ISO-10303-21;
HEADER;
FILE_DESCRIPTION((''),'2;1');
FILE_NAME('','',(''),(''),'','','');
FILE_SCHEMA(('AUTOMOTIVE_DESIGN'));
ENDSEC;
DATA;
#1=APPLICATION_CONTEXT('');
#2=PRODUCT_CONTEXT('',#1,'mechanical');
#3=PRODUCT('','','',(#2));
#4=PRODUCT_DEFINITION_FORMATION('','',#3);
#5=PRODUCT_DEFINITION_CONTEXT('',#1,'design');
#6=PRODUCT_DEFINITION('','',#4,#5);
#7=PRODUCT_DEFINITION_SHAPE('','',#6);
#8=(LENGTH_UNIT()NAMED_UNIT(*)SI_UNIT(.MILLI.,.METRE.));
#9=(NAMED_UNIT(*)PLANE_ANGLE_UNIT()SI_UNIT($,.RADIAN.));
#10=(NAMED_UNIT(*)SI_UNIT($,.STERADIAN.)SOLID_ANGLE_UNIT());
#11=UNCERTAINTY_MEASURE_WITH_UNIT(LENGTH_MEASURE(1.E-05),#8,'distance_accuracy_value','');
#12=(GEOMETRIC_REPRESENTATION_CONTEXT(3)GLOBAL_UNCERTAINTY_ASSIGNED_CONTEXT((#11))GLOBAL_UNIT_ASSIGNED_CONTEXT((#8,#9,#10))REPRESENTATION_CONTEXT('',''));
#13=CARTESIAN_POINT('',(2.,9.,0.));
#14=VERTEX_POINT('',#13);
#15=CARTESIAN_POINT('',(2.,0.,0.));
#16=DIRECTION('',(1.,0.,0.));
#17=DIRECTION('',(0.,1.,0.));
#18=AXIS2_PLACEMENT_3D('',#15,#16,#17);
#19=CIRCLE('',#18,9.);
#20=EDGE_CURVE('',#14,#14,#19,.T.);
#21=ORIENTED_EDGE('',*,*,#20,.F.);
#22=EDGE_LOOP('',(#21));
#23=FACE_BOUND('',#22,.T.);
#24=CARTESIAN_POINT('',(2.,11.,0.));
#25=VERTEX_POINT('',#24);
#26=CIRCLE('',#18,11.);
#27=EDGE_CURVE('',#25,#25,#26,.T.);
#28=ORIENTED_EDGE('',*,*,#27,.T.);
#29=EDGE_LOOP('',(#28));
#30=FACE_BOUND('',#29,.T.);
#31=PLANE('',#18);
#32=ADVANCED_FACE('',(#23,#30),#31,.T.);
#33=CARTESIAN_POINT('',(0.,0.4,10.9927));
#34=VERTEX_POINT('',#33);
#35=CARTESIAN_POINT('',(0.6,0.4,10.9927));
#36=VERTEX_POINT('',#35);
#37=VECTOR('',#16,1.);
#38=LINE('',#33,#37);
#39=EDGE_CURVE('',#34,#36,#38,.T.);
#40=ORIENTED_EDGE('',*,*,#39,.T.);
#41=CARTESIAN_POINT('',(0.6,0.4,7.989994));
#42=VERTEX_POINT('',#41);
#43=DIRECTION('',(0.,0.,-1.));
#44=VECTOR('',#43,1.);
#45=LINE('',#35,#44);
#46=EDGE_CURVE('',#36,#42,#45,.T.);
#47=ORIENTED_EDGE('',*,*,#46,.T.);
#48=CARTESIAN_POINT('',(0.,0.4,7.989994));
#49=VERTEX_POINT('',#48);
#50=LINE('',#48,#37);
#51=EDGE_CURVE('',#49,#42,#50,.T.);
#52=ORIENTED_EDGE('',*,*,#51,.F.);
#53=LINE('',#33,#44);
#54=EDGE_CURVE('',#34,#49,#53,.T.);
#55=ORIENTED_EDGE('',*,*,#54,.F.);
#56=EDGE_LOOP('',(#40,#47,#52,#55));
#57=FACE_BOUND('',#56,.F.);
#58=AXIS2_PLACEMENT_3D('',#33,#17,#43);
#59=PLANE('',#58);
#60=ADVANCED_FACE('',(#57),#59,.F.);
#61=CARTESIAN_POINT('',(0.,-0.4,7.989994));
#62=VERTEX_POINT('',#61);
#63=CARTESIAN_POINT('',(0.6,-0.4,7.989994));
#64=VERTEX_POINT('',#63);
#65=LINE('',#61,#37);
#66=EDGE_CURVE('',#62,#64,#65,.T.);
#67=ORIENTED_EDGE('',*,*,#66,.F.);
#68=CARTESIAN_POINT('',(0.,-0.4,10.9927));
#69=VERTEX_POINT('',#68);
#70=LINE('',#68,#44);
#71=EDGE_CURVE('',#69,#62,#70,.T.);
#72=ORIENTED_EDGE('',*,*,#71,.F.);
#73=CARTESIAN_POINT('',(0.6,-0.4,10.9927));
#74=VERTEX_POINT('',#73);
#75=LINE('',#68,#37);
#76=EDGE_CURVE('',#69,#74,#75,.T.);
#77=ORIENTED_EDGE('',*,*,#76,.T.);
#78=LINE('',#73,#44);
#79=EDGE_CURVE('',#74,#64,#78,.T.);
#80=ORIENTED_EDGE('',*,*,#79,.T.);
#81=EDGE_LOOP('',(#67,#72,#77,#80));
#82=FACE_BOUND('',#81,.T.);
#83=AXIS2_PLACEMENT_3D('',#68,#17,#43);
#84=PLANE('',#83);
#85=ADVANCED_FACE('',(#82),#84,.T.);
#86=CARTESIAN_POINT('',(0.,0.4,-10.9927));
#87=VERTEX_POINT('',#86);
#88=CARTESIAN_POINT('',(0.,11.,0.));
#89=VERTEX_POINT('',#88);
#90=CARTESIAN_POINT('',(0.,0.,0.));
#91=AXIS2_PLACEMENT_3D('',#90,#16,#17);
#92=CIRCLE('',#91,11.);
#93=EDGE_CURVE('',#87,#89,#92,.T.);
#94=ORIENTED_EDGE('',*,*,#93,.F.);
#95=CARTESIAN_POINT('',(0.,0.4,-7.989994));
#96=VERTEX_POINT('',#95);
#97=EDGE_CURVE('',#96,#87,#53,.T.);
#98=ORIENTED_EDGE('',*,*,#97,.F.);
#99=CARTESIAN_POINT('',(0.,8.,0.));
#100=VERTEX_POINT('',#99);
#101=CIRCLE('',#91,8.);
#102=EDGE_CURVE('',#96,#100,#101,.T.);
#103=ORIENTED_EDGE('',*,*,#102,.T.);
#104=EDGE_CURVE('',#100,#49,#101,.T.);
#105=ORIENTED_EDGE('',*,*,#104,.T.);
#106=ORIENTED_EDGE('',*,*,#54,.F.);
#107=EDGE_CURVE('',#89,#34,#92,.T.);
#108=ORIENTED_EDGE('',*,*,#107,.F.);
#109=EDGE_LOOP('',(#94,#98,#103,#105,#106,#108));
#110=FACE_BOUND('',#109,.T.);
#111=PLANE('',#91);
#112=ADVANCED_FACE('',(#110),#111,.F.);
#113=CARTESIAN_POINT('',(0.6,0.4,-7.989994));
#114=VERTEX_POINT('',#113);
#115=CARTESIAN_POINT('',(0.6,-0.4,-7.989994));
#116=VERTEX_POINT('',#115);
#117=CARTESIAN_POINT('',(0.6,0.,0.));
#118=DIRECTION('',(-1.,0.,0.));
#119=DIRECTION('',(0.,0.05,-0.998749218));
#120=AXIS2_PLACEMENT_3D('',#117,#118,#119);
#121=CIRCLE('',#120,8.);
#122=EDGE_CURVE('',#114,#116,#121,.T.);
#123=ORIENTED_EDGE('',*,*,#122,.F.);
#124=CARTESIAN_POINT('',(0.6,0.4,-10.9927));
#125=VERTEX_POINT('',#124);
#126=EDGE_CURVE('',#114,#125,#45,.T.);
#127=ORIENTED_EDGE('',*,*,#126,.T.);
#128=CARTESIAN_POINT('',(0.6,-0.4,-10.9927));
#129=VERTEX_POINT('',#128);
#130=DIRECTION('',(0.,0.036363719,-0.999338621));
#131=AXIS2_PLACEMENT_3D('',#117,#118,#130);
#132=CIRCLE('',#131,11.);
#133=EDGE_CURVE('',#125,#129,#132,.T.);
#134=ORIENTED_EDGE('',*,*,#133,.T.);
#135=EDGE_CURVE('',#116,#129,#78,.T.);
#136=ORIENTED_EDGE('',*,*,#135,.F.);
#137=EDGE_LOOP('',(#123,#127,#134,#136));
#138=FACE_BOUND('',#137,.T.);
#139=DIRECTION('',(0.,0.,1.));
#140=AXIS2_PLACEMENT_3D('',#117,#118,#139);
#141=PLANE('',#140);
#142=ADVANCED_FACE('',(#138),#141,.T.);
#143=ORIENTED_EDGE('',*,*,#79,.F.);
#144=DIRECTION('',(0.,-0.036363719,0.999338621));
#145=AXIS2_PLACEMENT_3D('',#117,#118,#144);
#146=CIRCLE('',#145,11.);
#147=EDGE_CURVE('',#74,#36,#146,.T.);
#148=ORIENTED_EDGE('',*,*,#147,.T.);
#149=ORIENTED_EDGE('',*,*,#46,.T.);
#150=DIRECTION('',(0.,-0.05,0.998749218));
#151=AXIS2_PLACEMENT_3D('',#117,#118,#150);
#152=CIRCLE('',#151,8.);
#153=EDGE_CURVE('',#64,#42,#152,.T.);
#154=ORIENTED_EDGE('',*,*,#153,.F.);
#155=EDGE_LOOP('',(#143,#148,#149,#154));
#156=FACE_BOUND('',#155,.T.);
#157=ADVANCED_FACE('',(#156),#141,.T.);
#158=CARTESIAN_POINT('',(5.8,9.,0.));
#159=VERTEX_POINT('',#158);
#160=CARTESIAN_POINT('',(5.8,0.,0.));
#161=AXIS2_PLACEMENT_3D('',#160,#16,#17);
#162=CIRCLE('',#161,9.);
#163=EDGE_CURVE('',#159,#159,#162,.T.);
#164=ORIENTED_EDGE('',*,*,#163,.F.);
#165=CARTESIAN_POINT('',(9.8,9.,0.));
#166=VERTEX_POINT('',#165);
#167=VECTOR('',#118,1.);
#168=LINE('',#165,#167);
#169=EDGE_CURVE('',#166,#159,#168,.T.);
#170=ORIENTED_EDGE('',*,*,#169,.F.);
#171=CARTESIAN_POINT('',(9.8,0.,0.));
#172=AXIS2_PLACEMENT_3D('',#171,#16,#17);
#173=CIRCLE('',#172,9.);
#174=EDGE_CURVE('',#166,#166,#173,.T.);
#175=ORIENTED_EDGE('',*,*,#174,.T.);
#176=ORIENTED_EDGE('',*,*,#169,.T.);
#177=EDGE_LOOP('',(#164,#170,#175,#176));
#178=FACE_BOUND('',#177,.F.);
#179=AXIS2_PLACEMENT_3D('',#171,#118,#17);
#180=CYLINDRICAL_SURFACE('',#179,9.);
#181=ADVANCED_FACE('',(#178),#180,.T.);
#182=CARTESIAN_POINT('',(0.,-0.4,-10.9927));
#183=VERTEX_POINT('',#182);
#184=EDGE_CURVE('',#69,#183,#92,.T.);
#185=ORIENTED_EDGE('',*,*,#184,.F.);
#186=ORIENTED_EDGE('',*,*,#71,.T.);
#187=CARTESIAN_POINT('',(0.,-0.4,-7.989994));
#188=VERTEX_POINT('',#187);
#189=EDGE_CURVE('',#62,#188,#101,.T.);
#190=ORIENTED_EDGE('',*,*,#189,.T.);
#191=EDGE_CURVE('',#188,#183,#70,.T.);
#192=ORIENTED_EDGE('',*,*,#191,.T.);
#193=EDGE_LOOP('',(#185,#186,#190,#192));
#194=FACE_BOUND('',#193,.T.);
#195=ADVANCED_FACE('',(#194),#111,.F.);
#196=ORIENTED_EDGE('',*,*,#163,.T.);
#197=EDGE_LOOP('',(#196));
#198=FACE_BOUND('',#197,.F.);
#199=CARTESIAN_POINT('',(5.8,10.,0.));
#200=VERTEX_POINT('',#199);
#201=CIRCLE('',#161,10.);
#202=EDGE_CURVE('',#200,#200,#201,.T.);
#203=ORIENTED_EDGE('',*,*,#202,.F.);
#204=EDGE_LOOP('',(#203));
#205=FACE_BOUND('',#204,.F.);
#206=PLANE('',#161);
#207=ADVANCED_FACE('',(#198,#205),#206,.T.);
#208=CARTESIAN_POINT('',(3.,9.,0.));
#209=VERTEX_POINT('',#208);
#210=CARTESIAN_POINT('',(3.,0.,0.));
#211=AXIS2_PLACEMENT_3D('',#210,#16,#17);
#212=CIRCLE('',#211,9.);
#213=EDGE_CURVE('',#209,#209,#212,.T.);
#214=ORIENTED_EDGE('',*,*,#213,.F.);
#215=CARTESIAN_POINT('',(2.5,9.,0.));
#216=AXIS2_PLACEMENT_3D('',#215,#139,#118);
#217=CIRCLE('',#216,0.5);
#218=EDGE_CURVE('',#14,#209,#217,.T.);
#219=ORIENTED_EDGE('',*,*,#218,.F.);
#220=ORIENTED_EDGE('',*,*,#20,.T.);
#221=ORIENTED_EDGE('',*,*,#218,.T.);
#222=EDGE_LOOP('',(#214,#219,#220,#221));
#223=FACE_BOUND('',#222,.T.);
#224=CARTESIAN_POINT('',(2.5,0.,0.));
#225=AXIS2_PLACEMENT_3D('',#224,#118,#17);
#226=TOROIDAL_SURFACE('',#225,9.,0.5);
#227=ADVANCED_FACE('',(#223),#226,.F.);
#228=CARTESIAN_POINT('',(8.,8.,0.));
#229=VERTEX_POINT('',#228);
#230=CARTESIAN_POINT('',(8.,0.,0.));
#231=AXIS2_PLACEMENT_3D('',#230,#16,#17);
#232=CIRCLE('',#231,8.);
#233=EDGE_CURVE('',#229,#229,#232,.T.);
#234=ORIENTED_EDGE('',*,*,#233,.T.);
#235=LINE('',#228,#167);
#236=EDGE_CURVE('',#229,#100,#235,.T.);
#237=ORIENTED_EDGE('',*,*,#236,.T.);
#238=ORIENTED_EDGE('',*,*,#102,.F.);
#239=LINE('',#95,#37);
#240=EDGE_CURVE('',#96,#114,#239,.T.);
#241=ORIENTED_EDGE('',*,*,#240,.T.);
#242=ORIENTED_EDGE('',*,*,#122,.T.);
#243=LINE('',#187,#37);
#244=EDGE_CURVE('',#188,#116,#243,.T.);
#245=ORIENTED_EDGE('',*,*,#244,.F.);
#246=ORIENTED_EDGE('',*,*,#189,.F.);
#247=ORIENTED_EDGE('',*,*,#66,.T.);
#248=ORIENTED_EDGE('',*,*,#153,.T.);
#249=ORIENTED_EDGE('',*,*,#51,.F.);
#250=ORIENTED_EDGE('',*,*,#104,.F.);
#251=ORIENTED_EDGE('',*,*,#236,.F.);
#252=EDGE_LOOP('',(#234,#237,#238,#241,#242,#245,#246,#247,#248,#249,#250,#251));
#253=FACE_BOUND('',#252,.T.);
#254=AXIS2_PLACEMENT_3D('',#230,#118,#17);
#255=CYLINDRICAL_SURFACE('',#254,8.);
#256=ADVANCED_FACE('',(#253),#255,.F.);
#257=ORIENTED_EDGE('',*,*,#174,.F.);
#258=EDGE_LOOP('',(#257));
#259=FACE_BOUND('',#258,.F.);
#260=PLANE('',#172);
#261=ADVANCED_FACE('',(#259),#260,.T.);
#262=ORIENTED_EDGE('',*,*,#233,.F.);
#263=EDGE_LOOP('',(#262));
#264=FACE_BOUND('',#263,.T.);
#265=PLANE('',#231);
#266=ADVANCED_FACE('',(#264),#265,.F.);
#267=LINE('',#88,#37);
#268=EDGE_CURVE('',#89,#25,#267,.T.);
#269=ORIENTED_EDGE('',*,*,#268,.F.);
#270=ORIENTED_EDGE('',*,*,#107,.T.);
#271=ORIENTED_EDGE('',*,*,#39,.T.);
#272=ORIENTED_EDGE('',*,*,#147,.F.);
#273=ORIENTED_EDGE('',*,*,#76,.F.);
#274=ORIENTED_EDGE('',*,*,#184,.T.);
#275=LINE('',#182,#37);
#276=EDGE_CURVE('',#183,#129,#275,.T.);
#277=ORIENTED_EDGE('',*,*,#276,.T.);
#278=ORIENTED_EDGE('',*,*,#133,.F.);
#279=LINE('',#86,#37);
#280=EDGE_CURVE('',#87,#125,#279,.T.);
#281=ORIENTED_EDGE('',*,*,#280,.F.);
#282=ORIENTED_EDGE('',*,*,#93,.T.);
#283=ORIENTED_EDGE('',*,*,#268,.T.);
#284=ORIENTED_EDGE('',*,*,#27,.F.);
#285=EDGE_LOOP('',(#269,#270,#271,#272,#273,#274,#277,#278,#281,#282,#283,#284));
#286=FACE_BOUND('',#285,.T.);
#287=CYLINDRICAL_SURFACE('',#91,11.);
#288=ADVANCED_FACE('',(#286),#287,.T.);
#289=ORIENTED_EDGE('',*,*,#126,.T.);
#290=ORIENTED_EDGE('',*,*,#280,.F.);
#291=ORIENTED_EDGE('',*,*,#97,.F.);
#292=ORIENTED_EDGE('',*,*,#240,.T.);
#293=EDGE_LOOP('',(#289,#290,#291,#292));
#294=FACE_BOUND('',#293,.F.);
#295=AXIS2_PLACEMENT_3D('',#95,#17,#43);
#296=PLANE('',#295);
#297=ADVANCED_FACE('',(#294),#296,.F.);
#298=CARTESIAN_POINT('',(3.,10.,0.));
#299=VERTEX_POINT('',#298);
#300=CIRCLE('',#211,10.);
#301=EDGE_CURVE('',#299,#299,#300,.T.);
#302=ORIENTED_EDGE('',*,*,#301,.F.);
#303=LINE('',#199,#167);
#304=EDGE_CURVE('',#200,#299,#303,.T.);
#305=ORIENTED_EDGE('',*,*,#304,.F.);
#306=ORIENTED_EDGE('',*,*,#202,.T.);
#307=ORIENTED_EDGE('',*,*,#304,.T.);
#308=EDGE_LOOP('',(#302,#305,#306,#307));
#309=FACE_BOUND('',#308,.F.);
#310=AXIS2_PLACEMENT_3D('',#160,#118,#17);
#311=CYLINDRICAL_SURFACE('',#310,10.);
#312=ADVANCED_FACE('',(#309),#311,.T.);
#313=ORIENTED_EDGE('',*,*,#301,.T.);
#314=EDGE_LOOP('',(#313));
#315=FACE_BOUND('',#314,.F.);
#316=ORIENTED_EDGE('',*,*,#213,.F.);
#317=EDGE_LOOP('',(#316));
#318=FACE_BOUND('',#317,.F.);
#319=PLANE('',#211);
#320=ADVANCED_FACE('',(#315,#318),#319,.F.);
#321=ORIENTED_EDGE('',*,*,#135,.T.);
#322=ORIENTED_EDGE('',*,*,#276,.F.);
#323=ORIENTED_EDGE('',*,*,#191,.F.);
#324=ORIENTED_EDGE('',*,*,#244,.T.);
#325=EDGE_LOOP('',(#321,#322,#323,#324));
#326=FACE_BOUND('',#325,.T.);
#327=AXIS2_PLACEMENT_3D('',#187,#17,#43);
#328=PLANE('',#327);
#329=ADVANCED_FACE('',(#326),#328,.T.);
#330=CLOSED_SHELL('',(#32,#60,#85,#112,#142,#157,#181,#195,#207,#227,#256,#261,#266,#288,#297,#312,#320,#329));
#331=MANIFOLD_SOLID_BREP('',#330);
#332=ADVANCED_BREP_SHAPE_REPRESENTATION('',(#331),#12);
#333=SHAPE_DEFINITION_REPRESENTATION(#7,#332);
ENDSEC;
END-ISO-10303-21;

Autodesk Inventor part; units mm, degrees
ref_plane "YZ-Ebene" through (0, 0, 0) normal (1, 0, 0) x (0, 1, 0)
ref_plane "XZ-Ebene" through (0, 0, 0) normal (0, 1, 0) x (-1, 0, 0)
ref_plane "XY-Ebene" through (0, 0, 0) normal (0, 0, 1) x (1, 0, 0)
sketch "Skizze1" plane through (0, 0, 0) normal (0, 0, 1) x (1, 0, 0)
  line L0 (-1.96, 0) -> (11.76, 0) projected
  line L1 (0, -2.2) -> (0, 13.2) projected
  line L2 (8, 0) -> (8, 8)
  line L3 (8, 8) -> (0, 8)
  line L4 (9.8, 0) -> (9.8, 9)
  line L5 (9.8, 9) -> (5.8, 9)
  line L6 (0, 11) -> (2, 11)
  line L7 (5.8, 9) -> (5.8, 10)
  line L8 (2, 11) -> (2, 9)
  line L9 (5.8, 10) -> (3, 10)
  line L10 (3, 10) -> (3, 9)
  arc A0 (2, 9) -> (3, 9) centre (2.5, 9) ccw
  point P0 (0, 0)
  dimension "d8" = 9
  dimension "d9" = 9.8
  dimension "d10" = 8
  dimension "d12" = 8
  dimension "d13" = 4
  dimension "d14" = 2
  dimension "d15" = 11
  dimension "d17" = 0.5
  dimension "d18" = 9
  dimension "d19" = 10
revolve "Umdrehung1" add sketch "Skizze1" angle 360 about axis through (-10, 0, 0) along (1, 0, 0) contours L2 L3 L1 L6 L8 A0 L10 L9 L7 L5 L4 L0
sketch "Skizze2" plane through (0, 0, 0) normal (-1, 0, 0) x (0, 0, 1)
  circle A0 centre (0, 0) radius 8 projected
  circle A1 centre (0, 0) radius 11 projected
  circle A2 centre (0, 0) radius 8 projected
  line L0 (-15.4, 0) -> (15.4, 0) projected
  line L1 (10.9927, 0.4) -> (-10.9927, 0.4)
  line L2 (10.9927, -0.4) -> (-10.9927, -0.4)
  point P0 (-7.99, 0.4)
  point P1 (-7.99, -0.4)
  point P2 (7.99, 0.4)
  point P3 (7.99, -0.4)
  dimension "d23" = 0.8
extrude "Extrusion1" cut sketch "Skizze2" against normal blind 0.6 contours L0 A1 L2 A0 | A0 L1 A1 L0 | L0 A1 L1 A0 | A0 L2 A1 L0
thread "Gewinde1" size "M20x0.75" class "6g" standard "ISO Metric profile" full length
properties part number "Gehäusedeckel_ra8846s" material "Stahl, unlegiert"
